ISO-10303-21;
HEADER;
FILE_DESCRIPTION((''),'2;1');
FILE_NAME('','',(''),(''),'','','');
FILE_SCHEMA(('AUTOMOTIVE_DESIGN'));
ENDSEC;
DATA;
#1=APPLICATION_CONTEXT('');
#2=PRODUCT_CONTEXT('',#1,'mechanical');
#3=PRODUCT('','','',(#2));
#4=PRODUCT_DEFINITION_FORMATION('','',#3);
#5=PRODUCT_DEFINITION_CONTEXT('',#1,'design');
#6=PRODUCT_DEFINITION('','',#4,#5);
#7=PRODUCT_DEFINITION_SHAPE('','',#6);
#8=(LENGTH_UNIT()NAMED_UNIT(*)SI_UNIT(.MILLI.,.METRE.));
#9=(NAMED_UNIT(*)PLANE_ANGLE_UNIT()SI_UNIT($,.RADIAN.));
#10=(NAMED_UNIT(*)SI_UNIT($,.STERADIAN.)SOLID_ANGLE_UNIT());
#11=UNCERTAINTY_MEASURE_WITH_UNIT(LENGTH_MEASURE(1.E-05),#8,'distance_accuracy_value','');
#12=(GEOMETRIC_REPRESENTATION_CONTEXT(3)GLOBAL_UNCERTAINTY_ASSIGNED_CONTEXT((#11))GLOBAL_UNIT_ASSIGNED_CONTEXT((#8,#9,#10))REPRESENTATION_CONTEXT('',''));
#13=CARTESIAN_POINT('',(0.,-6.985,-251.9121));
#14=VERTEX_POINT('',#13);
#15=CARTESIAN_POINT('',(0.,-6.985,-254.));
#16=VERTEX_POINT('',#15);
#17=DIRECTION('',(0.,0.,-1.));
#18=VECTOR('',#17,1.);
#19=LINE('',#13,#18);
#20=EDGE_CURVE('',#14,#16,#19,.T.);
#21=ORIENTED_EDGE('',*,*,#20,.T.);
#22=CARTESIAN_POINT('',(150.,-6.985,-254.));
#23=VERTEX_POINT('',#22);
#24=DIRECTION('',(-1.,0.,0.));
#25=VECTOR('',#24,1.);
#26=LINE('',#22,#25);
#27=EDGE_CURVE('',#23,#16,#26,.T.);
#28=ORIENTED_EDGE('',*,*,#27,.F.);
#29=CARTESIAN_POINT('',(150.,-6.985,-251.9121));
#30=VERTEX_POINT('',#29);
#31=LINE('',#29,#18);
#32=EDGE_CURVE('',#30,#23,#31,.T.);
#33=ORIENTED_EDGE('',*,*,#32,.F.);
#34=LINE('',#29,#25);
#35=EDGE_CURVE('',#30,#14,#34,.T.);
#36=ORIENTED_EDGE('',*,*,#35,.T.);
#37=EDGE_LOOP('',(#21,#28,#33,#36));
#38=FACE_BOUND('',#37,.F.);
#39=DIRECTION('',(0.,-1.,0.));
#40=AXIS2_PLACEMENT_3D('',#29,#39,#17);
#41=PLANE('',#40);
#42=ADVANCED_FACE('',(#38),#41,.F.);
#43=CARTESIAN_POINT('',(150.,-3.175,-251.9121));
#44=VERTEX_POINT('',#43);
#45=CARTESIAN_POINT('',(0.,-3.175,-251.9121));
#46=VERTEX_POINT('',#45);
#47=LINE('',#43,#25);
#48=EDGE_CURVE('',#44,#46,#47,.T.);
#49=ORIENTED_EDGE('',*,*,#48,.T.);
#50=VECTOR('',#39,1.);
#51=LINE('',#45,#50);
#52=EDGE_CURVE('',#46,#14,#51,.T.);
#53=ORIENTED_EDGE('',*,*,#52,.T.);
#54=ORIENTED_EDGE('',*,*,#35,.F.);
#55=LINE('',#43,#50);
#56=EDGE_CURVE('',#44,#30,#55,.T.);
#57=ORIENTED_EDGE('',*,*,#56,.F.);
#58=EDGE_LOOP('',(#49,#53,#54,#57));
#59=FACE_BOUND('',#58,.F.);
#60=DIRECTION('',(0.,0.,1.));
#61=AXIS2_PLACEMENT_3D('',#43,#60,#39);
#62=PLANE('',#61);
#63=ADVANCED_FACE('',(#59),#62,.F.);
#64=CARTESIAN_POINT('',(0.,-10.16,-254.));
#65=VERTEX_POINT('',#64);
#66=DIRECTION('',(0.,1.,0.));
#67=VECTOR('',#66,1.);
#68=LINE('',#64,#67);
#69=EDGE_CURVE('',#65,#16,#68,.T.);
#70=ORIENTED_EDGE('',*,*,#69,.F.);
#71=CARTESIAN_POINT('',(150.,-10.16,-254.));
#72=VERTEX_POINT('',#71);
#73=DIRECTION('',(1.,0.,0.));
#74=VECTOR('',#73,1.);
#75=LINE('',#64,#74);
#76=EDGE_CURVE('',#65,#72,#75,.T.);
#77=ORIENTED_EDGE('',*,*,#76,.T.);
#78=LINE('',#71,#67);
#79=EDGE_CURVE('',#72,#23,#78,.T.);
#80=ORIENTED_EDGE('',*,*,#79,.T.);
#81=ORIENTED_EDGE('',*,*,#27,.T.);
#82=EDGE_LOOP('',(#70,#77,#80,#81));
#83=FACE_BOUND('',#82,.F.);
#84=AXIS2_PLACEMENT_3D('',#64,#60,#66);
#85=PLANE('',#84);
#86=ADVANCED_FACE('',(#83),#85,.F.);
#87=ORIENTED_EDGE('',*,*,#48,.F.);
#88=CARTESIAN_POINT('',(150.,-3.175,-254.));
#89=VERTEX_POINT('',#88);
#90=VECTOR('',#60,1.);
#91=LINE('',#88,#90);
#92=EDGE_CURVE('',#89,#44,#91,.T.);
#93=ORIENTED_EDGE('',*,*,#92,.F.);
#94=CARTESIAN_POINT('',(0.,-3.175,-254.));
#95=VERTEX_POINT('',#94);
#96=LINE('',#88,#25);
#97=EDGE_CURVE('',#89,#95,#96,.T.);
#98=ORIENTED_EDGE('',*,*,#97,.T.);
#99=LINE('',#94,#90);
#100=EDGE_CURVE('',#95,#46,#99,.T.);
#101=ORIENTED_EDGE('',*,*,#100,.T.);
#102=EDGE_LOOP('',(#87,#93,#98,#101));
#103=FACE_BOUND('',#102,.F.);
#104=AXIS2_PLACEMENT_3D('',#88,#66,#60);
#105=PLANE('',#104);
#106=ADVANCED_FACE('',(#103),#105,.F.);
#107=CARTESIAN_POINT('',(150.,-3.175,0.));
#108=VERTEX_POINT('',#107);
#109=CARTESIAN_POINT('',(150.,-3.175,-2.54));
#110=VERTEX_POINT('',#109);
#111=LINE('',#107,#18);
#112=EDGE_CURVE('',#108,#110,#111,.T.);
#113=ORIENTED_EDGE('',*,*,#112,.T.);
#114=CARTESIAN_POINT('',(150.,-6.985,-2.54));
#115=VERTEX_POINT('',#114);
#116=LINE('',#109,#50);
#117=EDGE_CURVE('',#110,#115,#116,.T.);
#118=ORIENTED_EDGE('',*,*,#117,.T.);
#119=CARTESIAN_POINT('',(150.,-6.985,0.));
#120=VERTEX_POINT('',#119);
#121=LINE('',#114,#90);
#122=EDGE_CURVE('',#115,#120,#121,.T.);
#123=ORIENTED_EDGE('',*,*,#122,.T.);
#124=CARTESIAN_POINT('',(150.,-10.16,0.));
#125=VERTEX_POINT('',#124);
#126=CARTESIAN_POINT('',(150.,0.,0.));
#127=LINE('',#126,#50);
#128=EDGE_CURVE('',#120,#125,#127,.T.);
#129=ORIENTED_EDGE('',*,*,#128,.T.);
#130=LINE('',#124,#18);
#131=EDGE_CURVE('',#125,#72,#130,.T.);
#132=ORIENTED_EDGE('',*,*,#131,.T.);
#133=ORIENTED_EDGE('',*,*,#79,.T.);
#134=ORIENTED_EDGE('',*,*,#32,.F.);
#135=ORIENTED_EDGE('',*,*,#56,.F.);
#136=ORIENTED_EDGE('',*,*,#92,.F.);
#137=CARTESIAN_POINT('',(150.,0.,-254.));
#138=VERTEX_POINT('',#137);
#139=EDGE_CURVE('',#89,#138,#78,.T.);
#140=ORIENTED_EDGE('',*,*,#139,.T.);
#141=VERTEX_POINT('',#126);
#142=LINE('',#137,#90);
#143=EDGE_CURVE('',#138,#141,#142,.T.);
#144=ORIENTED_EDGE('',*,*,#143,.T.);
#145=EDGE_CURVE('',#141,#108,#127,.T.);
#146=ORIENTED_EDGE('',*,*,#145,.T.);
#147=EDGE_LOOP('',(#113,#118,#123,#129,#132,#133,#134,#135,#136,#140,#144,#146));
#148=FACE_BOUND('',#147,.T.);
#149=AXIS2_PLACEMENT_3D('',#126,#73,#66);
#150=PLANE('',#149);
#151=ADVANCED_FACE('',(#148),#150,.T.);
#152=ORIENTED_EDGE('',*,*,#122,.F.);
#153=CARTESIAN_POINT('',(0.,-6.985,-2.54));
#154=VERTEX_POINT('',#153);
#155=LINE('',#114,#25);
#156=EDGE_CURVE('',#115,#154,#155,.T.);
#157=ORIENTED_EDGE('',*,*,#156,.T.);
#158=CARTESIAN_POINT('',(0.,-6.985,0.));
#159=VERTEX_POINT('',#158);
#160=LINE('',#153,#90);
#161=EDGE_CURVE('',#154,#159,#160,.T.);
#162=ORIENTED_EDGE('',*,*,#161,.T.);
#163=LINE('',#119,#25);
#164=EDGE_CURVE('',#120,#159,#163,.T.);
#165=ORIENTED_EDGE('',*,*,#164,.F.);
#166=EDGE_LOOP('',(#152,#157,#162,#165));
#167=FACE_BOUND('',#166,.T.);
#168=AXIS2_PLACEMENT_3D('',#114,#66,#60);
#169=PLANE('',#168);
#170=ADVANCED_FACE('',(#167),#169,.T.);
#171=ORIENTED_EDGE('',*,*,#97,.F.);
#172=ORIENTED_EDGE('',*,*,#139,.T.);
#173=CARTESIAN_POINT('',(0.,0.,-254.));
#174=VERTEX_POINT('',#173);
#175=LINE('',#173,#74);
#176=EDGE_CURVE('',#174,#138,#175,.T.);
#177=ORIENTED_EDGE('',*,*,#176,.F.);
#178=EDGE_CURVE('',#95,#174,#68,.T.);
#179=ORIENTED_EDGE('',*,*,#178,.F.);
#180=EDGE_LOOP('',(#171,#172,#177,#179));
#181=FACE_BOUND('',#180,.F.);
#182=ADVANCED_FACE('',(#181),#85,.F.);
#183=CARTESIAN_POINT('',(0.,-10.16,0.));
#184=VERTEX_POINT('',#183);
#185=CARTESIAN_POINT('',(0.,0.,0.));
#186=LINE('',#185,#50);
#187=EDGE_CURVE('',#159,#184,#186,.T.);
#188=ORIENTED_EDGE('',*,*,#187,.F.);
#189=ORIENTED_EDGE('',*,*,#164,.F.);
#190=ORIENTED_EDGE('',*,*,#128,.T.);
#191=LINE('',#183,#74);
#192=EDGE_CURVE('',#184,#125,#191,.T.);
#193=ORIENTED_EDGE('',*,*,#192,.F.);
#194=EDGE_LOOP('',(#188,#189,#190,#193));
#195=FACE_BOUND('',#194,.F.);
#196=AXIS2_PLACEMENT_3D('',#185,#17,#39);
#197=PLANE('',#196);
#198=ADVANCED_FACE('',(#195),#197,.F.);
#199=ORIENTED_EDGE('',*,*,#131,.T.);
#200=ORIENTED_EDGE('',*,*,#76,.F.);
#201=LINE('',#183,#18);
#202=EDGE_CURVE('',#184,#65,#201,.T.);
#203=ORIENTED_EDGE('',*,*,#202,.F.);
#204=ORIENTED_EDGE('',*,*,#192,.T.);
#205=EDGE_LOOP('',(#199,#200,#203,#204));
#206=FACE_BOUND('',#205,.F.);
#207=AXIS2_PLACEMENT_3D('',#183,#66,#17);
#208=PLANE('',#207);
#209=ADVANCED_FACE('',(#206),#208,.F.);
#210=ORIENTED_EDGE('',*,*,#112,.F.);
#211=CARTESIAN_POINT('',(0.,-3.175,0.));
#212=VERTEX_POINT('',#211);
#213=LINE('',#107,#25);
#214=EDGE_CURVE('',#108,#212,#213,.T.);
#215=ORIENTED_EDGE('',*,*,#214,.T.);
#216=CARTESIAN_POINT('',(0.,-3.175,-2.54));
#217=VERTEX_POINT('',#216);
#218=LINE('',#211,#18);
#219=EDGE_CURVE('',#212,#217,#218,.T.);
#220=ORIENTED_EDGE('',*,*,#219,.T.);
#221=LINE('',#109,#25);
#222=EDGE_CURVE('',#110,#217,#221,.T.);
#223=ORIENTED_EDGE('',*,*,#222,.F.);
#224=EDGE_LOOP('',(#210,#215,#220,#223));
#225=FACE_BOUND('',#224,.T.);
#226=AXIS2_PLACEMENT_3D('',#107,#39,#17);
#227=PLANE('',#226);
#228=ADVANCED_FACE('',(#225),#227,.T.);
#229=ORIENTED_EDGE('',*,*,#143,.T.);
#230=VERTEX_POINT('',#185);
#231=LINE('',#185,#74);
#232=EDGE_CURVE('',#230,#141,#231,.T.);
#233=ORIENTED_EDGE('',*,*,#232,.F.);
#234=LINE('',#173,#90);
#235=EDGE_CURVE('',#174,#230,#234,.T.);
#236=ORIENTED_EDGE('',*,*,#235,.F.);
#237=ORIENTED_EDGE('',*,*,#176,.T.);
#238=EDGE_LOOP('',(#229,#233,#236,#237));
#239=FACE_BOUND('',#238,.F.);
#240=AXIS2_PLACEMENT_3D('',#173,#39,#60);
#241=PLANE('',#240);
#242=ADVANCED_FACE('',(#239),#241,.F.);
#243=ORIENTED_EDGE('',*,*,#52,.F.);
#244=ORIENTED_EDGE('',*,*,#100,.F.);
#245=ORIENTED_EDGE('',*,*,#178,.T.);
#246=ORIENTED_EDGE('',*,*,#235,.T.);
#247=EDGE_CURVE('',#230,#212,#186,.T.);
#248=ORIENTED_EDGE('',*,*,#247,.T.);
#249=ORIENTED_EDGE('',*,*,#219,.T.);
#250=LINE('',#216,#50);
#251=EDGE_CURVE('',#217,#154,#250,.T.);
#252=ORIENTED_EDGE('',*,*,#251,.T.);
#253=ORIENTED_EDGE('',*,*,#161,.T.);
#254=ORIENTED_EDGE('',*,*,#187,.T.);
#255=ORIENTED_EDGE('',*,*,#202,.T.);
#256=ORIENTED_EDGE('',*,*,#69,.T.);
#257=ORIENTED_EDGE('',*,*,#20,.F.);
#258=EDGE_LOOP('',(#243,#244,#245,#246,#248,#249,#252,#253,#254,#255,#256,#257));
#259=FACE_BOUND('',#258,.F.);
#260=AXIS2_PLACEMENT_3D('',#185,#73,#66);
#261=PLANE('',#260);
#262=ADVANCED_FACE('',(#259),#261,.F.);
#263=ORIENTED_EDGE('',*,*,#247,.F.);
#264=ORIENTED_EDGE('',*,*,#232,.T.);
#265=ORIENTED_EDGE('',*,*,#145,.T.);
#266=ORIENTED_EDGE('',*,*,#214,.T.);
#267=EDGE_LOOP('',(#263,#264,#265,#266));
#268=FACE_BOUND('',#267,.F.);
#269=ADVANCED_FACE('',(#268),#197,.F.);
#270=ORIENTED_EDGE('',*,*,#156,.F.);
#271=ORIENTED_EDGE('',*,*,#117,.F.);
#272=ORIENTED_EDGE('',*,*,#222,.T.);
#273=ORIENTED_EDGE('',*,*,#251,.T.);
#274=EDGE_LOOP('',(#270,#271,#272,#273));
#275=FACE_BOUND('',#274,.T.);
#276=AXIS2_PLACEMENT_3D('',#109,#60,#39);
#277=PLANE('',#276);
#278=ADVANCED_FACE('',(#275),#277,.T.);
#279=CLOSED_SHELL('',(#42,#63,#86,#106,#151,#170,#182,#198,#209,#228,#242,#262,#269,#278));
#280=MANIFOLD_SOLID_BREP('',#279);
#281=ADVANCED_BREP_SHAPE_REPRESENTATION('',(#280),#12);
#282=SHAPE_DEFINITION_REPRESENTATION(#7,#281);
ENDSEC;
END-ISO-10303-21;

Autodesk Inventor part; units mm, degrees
ref_plane "YZ Plane" through (0, 0, 0) normal (1, 0, 0) x (0, 1, 0)
ref_plane "XZ Plane" through (0, 0, 0) normal (0, 1, 0) x (-1, 0, 0)
ref_plane "XY Plane" through (0, 0, 0) normal (0, 0, 1) x (1, 0, 0)
sketch "Sketch1" plane through (0, 0, 0) normal (1, 0, 0) x (0, 1, 0)
  line L0 (0, 0) -> (-10.16, 0)
  line L1 (-10.16, 0) -> (-10.16, -254)
  line L2 (-10.16, -254) -> (0, -254)
  line L3 (0, -254) -> (0, 0)
  dimension "d0" = 254
  dimension "d1" = 10.16
extrude "Extrusion1" add sketch "Sketch1" along normal blind 150
sketch "Sketch2" plane through (150, 0, 0) normal (1, 0, 0) x (0, 0, -1)
  line L0 (0, -3.175) -> (2.54, -3.175)
  line L1 (2.54, -3.175) -> (2.54, -6.985)
  line L2 (2.54, -6.985) -> (0, -6.985)
  line L3 (0, -6.985) -> (0, -3.175)
  line L4 (0, -10.16) -> (254, -10.16) projected
  line L5 (254, 0) -> (0, 0) projected
  line L6 (254, -3.175) -> (251.9121, -3.175)
  line L7 (251.9121, -3.175) -> (251.9121, -6.985)
  line L8 (251.9121, -6.985) -> (254, -6.985)
  line L9 (254, -6.985) -> (254, -3.175)
  dimension "d4" = 10.16
  dimension "d5" = 3.175
  dimension "d6" = 3.81
  dimension "d7" = 2.54
  dimension "d8" = 3.175
  dimension "d9" = 3.81
  dimension "d10" = 2.0879
  dimension "d11" = 251.46
  dimension "d12" = 0
extrude "Extrusion2" cut sketch "Sketch2" against normal blind 150
properties part number "planche2"
